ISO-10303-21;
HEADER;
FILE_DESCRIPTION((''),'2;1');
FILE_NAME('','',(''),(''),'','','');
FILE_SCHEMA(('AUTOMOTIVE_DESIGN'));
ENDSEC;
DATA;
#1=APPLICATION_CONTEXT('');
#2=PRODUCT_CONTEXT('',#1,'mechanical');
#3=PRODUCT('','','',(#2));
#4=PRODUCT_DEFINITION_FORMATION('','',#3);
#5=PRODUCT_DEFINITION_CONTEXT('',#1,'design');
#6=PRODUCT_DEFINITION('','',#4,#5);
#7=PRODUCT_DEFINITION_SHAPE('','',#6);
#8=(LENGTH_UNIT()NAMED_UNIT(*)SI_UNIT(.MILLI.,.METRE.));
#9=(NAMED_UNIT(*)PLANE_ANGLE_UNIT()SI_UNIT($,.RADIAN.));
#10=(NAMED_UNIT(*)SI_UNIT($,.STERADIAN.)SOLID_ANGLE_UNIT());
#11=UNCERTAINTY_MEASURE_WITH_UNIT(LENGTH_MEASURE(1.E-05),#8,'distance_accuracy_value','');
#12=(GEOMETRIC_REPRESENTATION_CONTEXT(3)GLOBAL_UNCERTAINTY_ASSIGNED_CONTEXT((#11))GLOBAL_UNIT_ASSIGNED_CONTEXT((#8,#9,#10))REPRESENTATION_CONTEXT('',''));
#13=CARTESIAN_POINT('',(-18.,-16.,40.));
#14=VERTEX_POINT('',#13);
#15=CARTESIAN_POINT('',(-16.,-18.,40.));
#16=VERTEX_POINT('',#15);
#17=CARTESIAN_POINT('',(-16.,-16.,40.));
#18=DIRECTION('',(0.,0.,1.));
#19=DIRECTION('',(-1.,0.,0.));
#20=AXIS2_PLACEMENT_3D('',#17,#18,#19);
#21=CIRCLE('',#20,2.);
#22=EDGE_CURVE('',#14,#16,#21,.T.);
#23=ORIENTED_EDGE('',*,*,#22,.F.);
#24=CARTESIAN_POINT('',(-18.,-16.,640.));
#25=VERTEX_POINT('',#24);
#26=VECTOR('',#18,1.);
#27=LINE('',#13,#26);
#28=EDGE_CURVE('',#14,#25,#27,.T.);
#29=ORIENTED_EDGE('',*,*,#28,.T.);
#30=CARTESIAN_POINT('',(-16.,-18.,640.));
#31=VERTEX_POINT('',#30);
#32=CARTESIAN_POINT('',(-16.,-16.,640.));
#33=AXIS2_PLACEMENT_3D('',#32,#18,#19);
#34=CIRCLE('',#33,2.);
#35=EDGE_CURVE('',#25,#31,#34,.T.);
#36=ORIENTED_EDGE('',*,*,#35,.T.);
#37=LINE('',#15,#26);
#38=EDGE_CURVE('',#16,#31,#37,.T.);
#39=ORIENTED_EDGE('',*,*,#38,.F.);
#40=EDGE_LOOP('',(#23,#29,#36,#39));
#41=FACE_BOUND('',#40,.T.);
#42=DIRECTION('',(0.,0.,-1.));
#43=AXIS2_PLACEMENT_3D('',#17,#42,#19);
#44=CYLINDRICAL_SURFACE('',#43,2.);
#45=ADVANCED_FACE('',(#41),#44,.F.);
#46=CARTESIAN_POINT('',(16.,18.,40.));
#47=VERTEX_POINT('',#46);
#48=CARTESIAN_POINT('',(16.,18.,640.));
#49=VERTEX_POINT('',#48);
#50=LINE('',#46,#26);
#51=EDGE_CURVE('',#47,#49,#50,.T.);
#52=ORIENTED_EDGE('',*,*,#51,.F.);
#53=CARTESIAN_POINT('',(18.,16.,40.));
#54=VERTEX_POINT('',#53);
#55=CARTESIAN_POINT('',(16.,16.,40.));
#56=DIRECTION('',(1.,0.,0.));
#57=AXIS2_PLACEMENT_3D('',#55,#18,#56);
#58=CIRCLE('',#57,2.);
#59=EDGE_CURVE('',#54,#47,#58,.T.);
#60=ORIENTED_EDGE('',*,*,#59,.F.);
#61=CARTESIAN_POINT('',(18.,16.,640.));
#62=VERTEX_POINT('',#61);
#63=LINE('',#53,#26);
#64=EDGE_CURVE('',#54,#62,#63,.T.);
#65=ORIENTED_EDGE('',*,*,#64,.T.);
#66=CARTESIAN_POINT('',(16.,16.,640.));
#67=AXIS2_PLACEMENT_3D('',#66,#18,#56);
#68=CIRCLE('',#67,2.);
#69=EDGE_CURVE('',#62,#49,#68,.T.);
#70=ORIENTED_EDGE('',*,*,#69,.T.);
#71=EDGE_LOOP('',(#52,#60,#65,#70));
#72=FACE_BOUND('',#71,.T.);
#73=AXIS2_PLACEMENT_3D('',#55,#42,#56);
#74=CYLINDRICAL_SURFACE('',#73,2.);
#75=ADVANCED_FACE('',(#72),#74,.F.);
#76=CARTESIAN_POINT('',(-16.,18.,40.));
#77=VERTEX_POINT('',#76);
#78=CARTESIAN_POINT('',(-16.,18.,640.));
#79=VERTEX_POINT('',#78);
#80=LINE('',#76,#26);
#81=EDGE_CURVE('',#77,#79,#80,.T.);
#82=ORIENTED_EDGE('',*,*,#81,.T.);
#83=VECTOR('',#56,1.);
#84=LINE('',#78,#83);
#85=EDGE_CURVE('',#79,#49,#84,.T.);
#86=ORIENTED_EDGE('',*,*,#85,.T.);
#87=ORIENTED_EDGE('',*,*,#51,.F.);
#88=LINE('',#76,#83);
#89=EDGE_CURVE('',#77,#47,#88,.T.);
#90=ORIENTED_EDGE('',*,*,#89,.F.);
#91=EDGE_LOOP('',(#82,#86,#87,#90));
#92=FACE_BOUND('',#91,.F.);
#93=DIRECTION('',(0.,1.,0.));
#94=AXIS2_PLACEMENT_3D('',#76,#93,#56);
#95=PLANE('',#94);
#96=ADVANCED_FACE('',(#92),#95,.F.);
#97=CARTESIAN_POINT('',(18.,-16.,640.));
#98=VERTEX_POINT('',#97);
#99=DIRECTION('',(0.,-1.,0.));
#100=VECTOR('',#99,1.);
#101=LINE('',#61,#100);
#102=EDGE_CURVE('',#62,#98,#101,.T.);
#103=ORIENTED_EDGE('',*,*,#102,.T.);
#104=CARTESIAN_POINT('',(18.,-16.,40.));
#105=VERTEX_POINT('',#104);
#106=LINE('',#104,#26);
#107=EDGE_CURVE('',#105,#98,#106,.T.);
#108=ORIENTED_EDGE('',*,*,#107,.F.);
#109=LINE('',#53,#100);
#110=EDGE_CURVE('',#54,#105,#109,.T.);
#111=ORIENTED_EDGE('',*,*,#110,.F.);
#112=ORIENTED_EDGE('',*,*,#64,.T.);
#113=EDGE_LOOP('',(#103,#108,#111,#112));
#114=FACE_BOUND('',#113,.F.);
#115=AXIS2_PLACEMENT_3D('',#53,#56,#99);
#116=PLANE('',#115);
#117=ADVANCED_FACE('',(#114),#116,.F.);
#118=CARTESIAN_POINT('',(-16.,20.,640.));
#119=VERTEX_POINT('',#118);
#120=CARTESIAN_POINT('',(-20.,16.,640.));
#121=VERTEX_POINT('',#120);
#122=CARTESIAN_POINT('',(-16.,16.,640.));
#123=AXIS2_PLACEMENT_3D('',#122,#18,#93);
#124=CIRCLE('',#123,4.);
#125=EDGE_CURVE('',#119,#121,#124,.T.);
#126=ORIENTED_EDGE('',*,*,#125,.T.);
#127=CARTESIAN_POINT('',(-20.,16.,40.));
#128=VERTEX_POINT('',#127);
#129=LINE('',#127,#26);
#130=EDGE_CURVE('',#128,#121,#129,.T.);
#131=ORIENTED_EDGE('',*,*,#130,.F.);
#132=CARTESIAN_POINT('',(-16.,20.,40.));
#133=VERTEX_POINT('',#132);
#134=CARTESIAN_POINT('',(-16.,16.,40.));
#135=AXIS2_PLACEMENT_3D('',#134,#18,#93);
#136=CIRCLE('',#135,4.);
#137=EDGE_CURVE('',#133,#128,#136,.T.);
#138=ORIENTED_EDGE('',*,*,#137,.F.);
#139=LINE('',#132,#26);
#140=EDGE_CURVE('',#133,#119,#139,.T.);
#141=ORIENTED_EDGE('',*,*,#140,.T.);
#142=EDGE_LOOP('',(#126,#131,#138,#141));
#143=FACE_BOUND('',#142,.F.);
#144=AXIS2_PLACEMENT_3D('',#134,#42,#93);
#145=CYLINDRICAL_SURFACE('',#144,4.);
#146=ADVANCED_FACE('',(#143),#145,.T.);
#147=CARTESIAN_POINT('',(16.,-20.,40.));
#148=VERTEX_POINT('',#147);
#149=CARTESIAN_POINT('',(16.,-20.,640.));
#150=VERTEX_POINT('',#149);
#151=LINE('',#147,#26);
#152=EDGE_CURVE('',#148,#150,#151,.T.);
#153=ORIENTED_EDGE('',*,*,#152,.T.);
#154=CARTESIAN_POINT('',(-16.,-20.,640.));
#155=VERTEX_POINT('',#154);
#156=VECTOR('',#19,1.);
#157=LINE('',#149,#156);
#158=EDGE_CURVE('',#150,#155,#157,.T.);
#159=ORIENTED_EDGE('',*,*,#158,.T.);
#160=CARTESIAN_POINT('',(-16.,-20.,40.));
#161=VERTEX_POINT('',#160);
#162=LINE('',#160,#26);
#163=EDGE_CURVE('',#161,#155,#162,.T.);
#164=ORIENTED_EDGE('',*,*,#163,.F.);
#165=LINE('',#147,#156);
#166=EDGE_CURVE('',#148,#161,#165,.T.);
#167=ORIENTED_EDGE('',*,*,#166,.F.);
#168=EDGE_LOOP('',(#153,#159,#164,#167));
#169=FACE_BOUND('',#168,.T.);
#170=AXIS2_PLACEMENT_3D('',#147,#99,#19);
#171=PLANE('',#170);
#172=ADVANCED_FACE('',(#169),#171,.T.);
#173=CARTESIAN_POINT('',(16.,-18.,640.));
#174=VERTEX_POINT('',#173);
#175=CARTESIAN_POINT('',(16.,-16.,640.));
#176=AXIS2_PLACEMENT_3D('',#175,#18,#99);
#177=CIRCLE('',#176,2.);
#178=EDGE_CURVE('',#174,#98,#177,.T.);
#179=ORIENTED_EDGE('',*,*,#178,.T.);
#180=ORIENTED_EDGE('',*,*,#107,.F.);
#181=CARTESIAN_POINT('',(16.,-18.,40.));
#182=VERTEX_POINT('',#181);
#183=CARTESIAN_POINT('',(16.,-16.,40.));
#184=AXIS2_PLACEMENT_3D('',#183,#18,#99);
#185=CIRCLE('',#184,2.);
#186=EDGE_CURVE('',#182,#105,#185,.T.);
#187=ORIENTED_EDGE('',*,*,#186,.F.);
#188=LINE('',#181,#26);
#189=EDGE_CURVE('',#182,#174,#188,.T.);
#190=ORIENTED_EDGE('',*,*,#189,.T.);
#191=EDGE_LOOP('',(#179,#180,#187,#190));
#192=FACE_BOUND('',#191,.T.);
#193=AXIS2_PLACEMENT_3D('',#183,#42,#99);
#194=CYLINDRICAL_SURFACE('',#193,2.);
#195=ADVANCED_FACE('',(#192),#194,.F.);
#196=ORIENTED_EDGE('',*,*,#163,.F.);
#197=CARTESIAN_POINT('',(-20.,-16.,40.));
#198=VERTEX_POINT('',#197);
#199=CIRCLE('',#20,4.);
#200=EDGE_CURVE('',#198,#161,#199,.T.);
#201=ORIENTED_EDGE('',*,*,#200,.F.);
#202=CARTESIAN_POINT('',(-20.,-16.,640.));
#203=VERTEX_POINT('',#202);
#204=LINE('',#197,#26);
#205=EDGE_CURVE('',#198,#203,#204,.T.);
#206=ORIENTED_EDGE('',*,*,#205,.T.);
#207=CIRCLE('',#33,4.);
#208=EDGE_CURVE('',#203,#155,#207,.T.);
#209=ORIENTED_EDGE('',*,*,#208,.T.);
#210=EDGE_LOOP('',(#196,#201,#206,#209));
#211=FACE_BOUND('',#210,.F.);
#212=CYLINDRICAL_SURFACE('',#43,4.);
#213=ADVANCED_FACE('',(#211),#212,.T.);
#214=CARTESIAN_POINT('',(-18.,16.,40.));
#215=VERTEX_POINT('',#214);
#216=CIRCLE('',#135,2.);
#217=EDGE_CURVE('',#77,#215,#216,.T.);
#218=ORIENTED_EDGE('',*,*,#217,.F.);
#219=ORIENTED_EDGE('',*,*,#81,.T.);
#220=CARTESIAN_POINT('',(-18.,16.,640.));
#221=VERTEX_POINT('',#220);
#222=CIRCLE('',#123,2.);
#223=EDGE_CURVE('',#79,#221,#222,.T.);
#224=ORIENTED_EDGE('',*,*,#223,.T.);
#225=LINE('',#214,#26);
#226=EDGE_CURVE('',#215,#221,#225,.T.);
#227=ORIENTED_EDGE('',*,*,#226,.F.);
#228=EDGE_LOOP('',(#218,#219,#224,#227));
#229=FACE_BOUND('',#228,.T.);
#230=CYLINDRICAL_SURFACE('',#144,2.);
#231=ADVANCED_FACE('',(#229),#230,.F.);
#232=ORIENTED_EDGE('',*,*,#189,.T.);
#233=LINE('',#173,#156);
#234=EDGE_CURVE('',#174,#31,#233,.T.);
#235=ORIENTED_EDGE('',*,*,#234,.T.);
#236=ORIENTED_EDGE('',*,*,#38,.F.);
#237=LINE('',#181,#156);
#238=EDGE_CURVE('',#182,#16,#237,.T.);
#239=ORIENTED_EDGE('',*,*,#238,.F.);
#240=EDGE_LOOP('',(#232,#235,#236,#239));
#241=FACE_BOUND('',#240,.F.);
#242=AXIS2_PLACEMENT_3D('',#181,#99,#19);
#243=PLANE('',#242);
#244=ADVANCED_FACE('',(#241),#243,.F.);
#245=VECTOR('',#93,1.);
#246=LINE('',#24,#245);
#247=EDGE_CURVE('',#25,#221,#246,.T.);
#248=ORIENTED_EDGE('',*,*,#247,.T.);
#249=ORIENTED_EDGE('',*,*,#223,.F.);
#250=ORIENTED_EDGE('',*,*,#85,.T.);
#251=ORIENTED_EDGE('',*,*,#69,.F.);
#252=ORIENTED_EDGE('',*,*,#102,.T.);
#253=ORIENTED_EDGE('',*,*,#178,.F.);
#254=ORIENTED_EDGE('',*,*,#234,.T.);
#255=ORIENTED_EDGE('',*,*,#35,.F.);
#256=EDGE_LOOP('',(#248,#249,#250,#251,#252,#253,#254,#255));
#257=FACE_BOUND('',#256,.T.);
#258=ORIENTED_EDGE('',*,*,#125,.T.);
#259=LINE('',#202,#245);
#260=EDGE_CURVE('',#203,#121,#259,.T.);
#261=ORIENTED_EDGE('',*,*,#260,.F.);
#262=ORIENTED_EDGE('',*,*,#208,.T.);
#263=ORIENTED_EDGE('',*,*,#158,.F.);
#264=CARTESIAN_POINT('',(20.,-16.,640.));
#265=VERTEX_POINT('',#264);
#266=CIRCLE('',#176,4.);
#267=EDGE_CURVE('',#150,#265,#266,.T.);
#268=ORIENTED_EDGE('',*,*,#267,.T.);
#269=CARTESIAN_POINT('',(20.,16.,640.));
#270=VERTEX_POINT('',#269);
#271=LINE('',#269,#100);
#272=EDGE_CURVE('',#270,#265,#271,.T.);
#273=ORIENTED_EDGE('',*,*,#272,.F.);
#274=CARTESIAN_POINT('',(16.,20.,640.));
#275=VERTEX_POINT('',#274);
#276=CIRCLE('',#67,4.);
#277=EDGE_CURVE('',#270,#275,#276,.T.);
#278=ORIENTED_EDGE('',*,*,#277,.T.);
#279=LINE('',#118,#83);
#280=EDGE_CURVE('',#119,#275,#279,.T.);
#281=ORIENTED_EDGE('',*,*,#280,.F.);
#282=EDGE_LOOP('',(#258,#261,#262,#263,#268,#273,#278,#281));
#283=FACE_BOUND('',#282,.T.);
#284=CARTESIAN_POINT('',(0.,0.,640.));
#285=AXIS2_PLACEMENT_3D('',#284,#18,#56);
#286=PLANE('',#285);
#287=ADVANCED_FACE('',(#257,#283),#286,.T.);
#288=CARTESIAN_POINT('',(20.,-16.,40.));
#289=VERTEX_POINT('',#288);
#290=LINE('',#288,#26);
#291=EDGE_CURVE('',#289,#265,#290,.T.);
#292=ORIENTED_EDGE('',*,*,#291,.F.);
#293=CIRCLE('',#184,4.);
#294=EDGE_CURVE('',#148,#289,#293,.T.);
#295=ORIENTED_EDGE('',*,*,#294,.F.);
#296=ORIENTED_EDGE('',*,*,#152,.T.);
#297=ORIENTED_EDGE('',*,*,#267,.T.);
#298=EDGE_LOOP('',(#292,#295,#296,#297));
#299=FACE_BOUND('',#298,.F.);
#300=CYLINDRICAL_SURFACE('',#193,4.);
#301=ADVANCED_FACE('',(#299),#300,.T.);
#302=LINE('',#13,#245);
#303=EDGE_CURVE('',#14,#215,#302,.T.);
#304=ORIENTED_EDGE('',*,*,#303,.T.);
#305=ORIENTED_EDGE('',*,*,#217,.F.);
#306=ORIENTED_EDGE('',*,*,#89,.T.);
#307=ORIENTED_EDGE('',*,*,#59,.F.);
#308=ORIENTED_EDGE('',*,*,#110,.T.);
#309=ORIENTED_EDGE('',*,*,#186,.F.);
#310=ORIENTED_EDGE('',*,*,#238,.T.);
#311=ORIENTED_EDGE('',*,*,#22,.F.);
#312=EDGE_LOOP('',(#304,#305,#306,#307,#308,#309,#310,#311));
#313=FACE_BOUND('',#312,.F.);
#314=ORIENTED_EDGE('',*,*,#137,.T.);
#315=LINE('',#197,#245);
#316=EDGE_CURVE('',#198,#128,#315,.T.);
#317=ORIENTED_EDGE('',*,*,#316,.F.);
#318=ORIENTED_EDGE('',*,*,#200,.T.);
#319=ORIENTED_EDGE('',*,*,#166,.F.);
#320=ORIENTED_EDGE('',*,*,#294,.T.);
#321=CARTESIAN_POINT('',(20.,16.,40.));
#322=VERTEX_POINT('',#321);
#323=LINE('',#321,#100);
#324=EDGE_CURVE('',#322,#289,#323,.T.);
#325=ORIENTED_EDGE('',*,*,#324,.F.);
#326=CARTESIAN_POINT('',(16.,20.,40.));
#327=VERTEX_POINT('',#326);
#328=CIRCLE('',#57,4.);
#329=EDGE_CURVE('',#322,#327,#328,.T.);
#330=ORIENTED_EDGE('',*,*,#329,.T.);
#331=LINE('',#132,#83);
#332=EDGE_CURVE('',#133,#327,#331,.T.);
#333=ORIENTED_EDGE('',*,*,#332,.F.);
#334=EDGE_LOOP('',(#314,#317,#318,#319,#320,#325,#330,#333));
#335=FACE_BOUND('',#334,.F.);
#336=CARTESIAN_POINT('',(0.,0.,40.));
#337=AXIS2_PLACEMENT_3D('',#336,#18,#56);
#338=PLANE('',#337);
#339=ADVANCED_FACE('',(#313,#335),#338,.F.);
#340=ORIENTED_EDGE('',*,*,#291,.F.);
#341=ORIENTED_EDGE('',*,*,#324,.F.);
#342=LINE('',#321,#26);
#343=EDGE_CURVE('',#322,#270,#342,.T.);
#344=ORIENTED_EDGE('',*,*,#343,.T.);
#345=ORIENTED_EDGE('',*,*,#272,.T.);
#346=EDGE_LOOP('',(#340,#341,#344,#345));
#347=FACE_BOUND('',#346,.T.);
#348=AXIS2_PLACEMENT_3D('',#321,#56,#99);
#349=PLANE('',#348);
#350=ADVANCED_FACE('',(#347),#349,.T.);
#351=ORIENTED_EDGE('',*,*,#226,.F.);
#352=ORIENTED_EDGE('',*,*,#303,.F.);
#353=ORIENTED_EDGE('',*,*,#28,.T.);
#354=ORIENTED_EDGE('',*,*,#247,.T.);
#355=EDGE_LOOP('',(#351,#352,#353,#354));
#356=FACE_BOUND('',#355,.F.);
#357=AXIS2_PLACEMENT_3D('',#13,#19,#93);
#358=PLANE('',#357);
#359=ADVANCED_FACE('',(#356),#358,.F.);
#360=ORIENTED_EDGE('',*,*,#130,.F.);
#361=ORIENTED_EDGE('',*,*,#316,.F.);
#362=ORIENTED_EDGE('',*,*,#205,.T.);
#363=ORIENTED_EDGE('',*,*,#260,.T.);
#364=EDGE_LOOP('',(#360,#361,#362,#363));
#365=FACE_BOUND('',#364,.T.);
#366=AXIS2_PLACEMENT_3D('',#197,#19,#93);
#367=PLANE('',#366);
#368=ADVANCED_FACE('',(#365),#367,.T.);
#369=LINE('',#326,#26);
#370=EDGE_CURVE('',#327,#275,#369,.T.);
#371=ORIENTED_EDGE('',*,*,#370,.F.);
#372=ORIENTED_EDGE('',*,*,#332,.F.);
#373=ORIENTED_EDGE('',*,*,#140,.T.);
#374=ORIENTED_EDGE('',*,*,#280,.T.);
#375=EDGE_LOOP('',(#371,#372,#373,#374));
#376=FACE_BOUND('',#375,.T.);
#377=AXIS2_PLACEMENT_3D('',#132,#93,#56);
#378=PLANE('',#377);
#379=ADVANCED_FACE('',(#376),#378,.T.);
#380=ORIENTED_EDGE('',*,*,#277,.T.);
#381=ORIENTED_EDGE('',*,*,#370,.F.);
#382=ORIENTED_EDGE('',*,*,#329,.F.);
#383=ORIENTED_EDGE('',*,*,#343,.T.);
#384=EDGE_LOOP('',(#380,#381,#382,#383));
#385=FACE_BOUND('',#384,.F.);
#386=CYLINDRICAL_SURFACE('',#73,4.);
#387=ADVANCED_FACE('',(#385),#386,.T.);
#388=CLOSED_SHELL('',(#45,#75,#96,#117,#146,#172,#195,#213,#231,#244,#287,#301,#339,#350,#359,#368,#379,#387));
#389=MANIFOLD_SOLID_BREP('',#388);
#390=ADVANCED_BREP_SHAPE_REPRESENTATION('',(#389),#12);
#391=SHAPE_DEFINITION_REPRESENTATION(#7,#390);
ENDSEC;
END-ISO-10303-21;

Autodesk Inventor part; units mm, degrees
ref_plane "YZ Plane" through (0, 0, 0) normal (1, 0, 0) x (0, 1, 0)
ref_plane "Start Plane" through (0, 0, 40) normal (0, 0, 1) x (1, 0, 0)
ref_plane "End Plane" through (0, 0, 640) normal (0, 0, 1) x (1, 0, 0)
sketch "Sketch" plane through (0, 0, 0) normal (0, 0, 1) x (1, 0, 0)
  line L0 (-20, -16) -> (-20, 16)
  line L1 (-16, 20) -> (16, 20)
  line L2 (20, 16) -> (20, -16)
  line L3 (16, -20) -> (-16, -20)
  arc A0 (-20, -16) -> (-16, -20) centre (-16, -16) ccw
  arc A1 (20, 16) -> (16, 20) centre (16, 16) ccw
  arc A2 (-16, 20) -> (-20, 16) centre (-16, 16) ccw
  arc A3 (16, -20) -> (20, -16) centre (16, -16) ccw
  arc A4 (-16, 18) -> (-18, 16) centre (-16, 16) ccw
  line L4 (-16, 18) -> (16, 18)
  arc A5 (18, 16) -> (16, 18) centre (16, 16) ccw
  line L5 (18, 16) -> (18, -16)
  arc A6 (16, -18) -> (18, -16) centre (16, -16) ccw
  line L6 (16, -18) -> (-16, -18)
  arc A7 (-18, -16) -> (-16, -18) centre (-16, -16) ccw
  line L7 (-18, -16) -> (-18, 16)
  line L8 (0, 29.1598) -> (0, -29.1598) construction
  line L9 (-29.1598, 0) -> (29.1598, 0) construction
  dimension "d7" = 4
  dimension "d9" = 40
  dimension "d11" = 40
  dimension "d12" = 2
  dimension "d15" = 20
  dimension "d16" = 20
extrude "Body" add sketch "Sketch" along normal up to surface (600 mm away) from surface at 40
sketch "Sketch3" plane through (0, 0, 0) normal (0, 0, 1) x (1, 0, 0)
  line L0 (0, 0) -> (10, 0)
ref_plane "Work Plane3" through (0, 0, 0) normal (0, -1, 0) x (1, 0, 0)
sketch "Sketch4" plane through (0, 0, 0) normal (0, -1, 0) x (1, 0, 0)
  line L0 (-2, 40) -> (12, 40) projected
  line L1 (-2, 640) -> (12, 640) projected
  dimension "d18" = 600
equation "\"d7\" = G_IR"
equation "\"d9\" = G_W"
equation "\"d11\" = G_H"
equation "\"d12\" = G_T"
equation "\"d15\" = 0.5 * d9"
equation "\"d16\" = 0.5 * d11"
equation "\"d3\" = G_L"
equation "\"G_W\" = 40"
equation "\"G_H\" = 40"
equation "\"G_T\" = 2"
equation "\"G_IR\" = 4"
equation "\"G_L\" = d18"
properties part number "ISO 10799-2 - 40x40x2 - 600" material "Steel, Mild"
